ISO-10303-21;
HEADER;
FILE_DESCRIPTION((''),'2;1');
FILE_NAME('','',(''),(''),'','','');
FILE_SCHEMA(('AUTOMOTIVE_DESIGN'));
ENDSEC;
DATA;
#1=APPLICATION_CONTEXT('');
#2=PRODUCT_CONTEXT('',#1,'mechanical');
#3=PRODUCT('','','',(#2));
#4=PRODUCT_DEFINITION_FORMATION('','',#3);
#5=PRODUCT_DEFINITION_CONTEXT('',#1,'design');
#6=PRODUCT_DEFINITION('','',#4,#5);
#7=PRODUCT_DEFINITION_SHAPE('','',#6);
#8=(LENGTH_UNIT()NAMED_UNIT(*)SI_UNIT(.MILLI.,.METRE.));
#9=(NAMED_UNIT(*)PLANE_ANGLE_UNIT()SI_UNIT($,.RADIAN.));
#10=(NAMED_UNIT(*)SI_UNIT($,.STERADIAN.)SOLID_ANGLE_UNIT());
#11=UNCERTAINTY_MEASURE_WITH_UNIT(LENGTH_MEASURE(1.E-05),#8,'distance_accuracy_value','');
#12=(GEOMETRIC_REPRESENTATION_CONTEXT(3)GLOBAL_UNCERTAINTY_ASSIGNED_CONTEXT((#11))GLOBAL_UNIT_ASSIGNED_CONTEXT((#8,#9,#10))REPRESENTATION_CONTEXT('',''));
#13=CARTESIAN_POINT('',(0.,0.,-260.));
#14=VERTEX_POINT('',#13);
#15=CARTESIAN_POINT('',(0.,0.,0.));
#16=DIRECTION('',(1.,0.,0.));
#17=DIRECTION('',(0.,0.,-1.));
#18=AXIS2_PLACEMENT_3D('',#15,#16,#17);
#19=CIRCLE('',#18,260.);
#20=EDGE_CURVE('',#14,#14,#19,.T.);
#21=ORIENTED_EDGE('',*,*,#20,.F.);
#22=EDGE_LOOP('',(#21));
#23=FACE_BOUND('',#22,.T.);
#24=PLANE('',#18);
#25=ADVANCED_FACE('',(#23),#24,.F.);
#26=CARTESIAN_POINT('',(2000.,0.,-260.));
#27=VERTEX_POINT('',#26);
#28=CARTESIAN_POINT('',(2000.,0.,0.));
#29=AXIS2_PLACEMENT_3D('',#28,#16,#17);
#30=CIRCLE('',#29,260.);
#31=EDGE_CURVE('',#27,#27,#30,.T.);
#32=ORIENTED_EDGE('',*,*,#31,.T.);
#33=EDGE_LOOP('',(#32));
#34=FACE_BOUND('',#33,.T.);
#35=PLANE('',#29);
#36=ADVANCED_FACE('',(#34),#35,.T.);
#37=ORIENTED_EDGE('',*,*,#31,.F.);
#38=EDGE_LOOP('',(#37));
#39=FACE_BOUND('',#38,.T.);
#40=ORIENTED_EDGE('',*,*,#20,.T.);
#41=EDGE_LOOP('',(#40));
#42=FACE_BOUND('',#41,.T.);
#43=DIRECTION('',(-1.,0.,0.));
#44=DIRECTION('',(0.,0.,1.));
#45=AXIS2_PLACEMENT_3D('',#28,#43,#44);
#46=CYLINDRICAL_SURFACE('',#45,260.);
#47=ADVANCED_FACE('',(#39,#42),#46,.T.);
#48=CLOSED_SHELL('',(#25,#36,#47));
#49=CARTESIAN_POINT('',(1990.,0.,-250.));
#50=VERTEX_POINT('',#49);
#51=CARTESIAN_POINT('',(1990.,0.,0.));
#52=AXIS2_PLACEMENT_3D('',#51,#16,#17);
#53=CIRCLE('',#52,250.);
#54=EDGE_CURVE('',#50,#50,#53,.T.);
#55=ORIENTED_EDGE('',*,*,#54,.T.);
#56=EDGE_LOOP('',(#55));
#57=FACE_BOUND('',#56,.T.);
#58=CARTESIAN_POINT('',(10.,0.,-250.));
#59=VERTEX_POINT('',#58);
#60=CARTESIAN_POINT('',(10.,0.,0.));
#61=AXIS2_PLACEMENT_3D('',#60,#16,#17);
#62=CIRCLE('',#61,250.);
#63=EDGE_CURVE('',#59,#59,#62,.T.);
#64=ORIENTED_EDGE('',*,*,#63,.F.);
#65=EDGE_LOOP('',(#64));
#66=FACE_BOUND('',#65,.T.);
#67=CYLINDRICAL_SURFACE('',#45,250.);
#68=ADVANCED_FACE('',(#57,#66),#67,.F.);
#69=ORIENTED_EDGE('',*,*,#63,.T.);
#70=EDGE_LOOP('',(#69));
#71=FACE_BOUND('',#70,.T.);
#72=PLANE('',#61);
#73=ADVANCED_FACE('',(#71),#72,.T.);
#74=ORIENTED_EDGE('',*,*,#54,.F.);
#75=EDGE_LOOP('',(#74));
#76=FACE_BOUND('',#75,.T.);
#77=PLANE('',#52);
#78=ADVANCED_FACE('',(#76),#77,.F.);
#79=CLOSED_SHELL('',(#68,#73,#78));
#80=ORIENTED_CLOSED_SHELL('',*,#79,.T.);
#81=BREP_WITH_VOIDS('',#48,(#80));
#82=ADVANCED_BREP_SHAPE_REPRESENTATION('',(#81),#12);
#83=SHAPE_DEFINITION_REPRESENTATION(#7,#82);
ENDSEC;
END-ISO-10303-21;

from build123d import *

# Parameters (mm, degrees)
SKETCH1_R           = 260
SKETCH1_R_2         = 250
EXTRUDE_THIN1_DEPTH = 2000
BOSS_EXTRUDE1_START = 1990
SKETCH1_2_R         = 250
BOSS_EXTRUDE1_DEPTH = 10
SKETCH1_3_R         = 250
BOSS_EXTRUDE2_DEPTH = 10


with BuildPart() as part:
    # Sketch1 → Extrude-Thin1 (new body)
    with BuildSketch(Plane(origin=(0, 0, 0), x_dir=(0, 0, -1), z_dir=(1, 0, 0))):
        Circle(SKETCH1_R)
        Circle(SKETCH1_R_2, mode=Mode.SUBTRACT)
    extrude(amount=EXTRUDE_THIN1_DEPTH)

    # Sketch1<2> → Boss-Extrude1 (add)
    with BuildSketch(Plane(origin=(0, 0, 0), x_dir=(0, 0, -1), z_dir=(1, 0, 0)).offset(BOSS_EXTRUDE1_START)):
        Circle(SKETCH1_2_R)
    extrude(amount=BOSS_EXTRUDE1_DEPTH)

    # Sketch1<3> → Boss-Extrude2 (add)
    with BuildSketch(Plane(origin=(0, 0, 0), x_dir=(0, 0, -1), z_dir=(1, 0, 0))):
        Circle(SKETCH1_3_R)
    extrude(amount=BOSS_EXTRUDE2_DEPTH)


solid = part.part
